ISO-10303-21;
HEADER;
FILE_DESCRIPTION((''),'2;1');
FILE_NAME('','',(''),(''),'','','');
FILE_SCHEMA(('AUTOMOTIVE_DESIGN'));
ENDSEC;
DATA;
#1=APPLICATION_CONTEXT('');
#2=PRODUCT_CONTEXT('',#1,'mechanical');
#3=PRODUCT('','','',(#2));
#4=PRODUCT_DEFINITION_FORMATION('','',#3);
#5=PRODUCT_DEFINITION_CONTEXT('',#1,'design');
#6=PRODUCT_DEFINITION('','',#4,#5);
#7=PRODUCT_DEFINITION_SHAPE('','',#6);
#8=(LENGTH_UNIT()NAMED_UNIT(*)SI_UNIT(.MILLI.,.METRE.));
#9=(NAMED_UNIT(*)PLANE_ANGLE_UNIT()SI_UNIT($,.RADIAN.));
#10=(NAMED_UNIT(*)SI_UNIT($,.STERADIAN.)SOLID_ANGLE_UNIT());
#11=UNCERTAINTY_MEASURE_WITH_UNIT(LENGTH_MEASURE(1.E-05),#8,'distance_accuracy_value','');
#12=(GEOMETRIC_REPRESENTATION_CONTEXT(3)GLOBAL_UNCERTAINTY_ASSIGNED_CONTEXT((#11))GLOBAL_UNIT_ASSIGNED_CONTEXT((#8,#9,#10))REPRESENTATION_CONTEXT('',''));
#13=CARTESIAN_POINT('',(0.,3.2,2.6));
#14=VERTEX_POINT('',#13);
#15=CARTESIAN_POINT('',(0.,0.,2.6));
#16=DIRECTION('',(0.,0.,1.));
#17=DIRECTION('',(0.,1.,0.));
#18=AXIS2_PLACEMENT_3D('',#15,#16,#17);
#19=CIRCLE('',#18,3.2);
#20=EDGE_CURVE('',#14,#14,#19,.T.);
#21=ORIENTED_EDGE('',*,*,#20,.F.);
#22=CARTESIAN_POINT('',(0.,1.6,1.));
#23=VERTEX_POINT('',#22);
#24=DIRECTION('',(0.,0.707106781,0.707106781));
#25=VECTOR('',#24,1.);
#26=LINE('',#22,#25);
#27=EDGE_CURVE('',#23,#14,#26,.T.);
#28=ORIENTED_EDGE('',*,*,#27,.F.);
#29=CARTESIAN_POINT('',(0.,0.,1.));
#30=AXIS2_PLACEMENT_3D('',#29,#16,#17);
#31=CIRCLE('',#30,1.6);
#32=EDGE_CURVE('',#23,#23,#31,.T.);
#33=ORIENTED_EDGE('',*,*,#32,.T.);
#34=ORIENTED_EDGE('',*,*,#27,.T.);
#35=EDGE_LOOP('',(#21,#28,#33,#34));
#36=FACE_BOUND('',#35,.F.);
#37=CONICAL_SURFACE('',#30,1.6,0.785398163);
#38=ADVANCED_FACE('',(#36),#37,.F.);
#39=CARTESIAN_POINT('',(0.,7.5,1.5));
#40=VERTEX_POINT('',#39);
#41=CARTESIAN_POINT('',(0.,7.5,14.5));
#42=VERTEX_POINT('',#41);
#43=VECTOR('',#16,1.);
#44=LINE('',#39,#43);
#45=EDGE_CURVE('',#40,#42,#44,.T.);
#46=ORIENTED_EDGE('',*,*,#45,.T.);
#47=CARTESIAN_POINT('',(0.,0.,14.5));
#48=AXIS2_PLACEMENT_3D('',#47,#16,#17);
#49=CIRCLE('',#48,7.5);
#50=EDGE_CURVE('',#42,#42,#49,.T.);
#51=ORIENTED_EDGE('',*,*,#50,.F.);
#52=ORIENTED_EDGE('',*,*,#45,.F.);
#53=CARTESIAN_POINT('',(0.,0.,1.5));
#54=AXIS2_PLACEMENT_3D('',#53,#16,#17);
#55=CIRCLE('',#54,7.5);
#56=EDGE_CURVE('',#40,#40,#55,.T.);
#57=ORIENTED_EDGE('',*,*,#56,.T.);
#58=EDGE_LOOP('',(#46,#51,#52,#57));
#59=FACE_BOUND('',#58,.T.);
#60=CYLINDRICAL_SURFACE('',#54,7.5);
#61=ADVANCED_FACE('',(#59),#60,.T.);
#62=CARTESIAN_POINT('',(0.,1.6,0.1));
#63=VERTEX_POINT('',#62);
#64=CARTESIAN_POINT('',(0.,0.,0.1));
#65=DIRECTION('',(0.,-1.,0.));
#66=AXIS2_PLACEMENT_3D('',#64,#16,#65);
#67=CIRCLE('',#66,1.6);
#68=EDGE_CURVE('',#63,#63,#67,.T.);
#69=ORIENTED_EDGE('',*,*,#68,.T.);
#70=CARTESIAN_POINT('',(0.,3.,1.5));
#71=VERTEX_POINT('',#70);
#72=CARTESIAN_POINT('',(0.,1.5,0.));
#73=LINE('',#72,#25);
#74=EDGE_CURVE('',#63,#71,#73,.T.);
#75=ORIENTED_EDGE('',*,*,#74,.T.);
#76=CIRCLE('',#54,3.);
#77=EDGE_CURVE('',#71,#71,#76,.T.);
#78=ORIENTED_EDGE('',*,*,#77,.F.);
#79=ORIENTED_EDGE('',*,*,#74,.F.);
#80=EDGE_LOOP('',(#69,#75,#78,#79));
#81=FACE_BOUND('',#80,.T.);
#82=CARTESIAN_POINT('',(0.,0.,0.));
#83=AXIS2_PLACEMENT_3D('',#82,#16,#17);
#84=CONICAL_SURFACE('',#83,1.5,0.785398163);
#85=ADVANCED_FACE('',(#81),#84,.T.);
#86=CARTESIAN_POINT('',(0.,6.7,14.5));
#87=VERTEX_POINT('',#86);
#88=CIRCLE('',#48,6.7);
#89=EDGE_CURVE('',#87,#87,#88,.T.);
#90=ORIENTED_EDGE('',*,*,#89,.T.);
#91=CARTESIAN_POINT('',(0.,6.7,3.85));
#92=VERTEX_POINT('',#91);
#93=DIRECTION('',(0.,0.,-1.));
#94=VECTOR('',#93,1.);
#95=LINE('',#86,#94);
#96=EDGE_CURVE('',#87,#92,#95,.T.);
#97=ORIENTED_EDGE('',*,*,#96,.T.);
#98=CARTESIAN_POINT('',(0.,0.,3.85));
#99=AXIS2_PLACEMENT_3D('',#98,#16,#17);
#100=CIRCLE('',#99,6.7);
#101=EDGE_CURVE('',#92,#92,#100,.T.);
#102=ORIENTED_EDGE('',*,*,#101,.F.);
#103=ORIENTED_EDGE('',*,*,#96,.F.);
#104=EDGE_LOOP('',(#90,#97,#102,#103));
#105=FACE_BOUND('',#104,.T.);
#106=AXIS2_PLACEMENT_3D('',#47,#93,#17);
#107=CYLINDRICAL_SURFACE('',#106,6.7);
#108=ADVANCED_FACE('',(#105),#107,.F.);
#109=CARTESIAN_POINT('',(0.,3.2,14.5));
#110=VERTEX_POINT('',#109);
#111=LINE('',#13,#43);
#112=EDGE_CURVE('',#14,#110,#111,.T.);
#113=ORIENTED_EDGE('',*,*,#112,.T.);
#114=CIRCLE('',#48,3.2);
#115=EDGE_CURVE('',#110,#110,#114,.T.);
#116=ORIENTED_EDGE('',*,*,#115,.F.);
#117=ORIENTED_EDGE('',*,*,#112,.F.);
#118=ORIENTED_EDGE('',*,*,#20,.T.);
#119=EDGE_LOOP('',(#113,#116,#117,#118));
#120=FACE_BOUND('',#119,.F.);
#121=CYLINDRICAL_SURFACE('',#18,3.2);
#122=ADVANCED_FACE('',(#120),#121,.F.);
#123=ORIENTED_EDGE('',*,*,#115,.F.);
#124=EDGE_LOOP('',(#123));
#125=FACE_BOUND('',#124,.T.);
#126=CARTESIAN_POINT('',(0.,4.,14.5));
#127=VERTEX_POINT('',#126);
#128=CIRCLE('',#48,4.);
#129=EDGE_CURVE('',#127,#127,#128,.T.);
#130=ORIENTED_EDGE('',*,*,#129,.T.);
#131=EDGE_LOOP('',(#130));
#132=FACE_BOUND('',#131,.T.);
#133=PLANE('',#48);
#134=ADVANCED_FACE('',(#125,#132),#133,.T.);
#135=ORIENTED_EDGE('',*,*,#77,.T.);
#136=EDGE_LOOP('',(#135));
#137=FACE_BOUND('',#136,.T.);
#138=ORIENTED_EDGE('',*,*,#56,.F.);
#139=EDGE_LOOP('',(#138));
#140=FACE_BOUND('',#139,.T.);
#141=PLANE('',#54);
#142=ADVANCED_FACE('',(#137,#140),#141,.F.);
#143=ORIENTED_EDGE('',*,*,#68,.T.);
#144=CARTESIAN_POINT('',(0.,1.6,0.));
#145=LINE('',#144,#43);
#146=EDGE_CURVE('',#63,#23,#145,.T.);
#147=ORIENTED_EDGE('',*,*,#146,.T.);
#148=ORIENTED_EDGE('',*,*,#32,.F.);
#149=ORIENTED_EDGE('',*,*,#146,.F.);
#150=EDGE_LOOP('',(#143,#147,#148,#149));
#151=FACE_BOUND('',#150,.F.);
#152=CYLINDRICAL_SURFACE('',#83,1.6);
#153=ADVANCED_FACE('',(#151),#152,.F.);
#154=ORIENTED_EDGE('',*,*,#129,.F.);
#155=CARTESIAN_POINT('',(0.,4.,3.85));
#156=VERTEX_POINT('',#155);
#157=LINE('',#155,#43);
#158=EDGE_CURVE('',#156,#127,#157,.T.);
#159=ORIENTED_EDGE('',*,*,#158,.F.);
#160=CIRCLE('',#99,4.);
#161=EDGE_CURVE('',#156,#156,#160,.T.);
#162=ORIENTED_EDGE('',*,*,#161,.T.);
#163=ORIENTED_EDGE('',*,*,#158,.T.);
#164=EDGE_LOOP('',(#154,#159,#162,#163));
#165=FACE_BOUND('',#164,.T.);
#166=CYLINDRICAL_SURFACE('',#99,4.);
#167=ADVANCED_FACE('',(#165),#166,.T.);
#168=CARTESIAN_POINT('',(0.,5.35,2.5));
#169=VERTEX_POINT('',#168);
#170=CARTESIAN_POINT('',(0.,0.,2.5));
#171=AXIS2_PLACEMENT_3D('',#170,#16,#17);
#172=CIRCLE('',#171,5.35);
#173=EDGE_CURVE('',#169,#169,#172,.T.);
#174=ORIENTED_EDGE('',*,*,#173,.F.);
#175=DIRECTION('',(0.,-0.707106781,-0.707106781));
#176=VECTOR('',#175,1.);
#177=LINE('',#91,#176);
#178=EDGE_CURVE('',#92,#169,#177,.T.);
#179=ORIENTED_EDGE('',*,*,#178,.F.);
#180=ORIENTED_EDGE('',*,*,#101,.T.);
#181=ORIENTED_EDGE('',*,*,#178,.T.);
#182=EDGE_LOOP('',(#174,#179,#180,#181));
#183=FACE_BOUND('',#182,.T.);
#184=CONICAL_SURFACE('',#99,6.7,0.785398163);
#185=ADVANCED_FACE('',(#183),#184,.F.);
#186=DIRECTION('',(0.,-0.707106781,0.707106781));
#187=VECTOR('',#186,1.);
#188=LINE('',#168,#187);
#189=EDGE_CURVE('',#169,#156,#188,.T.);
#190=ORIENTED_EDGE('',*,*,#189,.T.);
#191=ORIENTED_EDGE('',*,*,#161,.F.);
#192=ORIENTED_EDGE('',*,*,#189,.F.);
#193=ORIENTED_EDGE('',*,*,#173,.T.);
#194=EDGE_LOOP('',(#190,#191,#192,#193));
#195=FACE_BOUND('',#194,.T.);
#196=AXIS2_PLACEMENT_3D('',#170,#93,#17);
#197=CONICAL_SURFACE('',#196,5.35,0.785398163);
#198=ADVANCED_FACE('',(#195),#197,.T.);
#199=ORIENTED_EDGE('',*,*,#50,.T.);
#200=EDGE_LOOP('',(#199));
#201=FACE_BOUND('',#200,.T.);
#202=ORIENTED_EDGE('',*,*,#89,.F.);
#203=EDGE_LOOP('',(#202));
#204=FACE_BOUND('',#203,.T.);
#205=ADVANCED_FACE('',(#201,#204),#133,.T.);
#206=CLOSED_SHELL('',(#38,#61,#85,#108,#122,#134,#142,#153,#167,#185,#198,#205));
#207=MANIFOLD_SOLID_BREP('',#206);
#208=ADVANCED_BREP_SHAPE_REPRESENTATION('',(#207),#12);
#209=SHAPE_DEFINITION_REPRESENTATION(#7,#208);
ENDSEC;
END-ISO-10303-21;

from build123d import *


with BuildPart() as screw:
    # Sketch003 → Revolve (revolve)
    with BuildSketch(Plane.YZ):
        Polygon((0, 0), (1.6, 0), (1.6, 1), (3.2, 2.6), (3.2, 15), (0, 15), align=None)
    revolve(axis=Axis((0, 0, 0), (0, 0, 1)))


with BuildPart() as cut:
    # Sketch → Revolve001 (revolve)
    with BuildSketch(Plane.YZ):
        Polygon((3, 1.5), (7.5, 1.5), (7.5, 14.5), (6.7, 14.5), (6.7, 3.85), (5.35, 2.5), (4, 3.85), (4, 14.5), (0, 14.5), (0, 0), (1.5, 0), align=None)
    revolve(axis=Axis((0, 0, 0), (0, 0, 1)))

    # Cut: cut Screw
    add(screw.part, mode=Mode.SUBTRACT)


solid = cut.part
